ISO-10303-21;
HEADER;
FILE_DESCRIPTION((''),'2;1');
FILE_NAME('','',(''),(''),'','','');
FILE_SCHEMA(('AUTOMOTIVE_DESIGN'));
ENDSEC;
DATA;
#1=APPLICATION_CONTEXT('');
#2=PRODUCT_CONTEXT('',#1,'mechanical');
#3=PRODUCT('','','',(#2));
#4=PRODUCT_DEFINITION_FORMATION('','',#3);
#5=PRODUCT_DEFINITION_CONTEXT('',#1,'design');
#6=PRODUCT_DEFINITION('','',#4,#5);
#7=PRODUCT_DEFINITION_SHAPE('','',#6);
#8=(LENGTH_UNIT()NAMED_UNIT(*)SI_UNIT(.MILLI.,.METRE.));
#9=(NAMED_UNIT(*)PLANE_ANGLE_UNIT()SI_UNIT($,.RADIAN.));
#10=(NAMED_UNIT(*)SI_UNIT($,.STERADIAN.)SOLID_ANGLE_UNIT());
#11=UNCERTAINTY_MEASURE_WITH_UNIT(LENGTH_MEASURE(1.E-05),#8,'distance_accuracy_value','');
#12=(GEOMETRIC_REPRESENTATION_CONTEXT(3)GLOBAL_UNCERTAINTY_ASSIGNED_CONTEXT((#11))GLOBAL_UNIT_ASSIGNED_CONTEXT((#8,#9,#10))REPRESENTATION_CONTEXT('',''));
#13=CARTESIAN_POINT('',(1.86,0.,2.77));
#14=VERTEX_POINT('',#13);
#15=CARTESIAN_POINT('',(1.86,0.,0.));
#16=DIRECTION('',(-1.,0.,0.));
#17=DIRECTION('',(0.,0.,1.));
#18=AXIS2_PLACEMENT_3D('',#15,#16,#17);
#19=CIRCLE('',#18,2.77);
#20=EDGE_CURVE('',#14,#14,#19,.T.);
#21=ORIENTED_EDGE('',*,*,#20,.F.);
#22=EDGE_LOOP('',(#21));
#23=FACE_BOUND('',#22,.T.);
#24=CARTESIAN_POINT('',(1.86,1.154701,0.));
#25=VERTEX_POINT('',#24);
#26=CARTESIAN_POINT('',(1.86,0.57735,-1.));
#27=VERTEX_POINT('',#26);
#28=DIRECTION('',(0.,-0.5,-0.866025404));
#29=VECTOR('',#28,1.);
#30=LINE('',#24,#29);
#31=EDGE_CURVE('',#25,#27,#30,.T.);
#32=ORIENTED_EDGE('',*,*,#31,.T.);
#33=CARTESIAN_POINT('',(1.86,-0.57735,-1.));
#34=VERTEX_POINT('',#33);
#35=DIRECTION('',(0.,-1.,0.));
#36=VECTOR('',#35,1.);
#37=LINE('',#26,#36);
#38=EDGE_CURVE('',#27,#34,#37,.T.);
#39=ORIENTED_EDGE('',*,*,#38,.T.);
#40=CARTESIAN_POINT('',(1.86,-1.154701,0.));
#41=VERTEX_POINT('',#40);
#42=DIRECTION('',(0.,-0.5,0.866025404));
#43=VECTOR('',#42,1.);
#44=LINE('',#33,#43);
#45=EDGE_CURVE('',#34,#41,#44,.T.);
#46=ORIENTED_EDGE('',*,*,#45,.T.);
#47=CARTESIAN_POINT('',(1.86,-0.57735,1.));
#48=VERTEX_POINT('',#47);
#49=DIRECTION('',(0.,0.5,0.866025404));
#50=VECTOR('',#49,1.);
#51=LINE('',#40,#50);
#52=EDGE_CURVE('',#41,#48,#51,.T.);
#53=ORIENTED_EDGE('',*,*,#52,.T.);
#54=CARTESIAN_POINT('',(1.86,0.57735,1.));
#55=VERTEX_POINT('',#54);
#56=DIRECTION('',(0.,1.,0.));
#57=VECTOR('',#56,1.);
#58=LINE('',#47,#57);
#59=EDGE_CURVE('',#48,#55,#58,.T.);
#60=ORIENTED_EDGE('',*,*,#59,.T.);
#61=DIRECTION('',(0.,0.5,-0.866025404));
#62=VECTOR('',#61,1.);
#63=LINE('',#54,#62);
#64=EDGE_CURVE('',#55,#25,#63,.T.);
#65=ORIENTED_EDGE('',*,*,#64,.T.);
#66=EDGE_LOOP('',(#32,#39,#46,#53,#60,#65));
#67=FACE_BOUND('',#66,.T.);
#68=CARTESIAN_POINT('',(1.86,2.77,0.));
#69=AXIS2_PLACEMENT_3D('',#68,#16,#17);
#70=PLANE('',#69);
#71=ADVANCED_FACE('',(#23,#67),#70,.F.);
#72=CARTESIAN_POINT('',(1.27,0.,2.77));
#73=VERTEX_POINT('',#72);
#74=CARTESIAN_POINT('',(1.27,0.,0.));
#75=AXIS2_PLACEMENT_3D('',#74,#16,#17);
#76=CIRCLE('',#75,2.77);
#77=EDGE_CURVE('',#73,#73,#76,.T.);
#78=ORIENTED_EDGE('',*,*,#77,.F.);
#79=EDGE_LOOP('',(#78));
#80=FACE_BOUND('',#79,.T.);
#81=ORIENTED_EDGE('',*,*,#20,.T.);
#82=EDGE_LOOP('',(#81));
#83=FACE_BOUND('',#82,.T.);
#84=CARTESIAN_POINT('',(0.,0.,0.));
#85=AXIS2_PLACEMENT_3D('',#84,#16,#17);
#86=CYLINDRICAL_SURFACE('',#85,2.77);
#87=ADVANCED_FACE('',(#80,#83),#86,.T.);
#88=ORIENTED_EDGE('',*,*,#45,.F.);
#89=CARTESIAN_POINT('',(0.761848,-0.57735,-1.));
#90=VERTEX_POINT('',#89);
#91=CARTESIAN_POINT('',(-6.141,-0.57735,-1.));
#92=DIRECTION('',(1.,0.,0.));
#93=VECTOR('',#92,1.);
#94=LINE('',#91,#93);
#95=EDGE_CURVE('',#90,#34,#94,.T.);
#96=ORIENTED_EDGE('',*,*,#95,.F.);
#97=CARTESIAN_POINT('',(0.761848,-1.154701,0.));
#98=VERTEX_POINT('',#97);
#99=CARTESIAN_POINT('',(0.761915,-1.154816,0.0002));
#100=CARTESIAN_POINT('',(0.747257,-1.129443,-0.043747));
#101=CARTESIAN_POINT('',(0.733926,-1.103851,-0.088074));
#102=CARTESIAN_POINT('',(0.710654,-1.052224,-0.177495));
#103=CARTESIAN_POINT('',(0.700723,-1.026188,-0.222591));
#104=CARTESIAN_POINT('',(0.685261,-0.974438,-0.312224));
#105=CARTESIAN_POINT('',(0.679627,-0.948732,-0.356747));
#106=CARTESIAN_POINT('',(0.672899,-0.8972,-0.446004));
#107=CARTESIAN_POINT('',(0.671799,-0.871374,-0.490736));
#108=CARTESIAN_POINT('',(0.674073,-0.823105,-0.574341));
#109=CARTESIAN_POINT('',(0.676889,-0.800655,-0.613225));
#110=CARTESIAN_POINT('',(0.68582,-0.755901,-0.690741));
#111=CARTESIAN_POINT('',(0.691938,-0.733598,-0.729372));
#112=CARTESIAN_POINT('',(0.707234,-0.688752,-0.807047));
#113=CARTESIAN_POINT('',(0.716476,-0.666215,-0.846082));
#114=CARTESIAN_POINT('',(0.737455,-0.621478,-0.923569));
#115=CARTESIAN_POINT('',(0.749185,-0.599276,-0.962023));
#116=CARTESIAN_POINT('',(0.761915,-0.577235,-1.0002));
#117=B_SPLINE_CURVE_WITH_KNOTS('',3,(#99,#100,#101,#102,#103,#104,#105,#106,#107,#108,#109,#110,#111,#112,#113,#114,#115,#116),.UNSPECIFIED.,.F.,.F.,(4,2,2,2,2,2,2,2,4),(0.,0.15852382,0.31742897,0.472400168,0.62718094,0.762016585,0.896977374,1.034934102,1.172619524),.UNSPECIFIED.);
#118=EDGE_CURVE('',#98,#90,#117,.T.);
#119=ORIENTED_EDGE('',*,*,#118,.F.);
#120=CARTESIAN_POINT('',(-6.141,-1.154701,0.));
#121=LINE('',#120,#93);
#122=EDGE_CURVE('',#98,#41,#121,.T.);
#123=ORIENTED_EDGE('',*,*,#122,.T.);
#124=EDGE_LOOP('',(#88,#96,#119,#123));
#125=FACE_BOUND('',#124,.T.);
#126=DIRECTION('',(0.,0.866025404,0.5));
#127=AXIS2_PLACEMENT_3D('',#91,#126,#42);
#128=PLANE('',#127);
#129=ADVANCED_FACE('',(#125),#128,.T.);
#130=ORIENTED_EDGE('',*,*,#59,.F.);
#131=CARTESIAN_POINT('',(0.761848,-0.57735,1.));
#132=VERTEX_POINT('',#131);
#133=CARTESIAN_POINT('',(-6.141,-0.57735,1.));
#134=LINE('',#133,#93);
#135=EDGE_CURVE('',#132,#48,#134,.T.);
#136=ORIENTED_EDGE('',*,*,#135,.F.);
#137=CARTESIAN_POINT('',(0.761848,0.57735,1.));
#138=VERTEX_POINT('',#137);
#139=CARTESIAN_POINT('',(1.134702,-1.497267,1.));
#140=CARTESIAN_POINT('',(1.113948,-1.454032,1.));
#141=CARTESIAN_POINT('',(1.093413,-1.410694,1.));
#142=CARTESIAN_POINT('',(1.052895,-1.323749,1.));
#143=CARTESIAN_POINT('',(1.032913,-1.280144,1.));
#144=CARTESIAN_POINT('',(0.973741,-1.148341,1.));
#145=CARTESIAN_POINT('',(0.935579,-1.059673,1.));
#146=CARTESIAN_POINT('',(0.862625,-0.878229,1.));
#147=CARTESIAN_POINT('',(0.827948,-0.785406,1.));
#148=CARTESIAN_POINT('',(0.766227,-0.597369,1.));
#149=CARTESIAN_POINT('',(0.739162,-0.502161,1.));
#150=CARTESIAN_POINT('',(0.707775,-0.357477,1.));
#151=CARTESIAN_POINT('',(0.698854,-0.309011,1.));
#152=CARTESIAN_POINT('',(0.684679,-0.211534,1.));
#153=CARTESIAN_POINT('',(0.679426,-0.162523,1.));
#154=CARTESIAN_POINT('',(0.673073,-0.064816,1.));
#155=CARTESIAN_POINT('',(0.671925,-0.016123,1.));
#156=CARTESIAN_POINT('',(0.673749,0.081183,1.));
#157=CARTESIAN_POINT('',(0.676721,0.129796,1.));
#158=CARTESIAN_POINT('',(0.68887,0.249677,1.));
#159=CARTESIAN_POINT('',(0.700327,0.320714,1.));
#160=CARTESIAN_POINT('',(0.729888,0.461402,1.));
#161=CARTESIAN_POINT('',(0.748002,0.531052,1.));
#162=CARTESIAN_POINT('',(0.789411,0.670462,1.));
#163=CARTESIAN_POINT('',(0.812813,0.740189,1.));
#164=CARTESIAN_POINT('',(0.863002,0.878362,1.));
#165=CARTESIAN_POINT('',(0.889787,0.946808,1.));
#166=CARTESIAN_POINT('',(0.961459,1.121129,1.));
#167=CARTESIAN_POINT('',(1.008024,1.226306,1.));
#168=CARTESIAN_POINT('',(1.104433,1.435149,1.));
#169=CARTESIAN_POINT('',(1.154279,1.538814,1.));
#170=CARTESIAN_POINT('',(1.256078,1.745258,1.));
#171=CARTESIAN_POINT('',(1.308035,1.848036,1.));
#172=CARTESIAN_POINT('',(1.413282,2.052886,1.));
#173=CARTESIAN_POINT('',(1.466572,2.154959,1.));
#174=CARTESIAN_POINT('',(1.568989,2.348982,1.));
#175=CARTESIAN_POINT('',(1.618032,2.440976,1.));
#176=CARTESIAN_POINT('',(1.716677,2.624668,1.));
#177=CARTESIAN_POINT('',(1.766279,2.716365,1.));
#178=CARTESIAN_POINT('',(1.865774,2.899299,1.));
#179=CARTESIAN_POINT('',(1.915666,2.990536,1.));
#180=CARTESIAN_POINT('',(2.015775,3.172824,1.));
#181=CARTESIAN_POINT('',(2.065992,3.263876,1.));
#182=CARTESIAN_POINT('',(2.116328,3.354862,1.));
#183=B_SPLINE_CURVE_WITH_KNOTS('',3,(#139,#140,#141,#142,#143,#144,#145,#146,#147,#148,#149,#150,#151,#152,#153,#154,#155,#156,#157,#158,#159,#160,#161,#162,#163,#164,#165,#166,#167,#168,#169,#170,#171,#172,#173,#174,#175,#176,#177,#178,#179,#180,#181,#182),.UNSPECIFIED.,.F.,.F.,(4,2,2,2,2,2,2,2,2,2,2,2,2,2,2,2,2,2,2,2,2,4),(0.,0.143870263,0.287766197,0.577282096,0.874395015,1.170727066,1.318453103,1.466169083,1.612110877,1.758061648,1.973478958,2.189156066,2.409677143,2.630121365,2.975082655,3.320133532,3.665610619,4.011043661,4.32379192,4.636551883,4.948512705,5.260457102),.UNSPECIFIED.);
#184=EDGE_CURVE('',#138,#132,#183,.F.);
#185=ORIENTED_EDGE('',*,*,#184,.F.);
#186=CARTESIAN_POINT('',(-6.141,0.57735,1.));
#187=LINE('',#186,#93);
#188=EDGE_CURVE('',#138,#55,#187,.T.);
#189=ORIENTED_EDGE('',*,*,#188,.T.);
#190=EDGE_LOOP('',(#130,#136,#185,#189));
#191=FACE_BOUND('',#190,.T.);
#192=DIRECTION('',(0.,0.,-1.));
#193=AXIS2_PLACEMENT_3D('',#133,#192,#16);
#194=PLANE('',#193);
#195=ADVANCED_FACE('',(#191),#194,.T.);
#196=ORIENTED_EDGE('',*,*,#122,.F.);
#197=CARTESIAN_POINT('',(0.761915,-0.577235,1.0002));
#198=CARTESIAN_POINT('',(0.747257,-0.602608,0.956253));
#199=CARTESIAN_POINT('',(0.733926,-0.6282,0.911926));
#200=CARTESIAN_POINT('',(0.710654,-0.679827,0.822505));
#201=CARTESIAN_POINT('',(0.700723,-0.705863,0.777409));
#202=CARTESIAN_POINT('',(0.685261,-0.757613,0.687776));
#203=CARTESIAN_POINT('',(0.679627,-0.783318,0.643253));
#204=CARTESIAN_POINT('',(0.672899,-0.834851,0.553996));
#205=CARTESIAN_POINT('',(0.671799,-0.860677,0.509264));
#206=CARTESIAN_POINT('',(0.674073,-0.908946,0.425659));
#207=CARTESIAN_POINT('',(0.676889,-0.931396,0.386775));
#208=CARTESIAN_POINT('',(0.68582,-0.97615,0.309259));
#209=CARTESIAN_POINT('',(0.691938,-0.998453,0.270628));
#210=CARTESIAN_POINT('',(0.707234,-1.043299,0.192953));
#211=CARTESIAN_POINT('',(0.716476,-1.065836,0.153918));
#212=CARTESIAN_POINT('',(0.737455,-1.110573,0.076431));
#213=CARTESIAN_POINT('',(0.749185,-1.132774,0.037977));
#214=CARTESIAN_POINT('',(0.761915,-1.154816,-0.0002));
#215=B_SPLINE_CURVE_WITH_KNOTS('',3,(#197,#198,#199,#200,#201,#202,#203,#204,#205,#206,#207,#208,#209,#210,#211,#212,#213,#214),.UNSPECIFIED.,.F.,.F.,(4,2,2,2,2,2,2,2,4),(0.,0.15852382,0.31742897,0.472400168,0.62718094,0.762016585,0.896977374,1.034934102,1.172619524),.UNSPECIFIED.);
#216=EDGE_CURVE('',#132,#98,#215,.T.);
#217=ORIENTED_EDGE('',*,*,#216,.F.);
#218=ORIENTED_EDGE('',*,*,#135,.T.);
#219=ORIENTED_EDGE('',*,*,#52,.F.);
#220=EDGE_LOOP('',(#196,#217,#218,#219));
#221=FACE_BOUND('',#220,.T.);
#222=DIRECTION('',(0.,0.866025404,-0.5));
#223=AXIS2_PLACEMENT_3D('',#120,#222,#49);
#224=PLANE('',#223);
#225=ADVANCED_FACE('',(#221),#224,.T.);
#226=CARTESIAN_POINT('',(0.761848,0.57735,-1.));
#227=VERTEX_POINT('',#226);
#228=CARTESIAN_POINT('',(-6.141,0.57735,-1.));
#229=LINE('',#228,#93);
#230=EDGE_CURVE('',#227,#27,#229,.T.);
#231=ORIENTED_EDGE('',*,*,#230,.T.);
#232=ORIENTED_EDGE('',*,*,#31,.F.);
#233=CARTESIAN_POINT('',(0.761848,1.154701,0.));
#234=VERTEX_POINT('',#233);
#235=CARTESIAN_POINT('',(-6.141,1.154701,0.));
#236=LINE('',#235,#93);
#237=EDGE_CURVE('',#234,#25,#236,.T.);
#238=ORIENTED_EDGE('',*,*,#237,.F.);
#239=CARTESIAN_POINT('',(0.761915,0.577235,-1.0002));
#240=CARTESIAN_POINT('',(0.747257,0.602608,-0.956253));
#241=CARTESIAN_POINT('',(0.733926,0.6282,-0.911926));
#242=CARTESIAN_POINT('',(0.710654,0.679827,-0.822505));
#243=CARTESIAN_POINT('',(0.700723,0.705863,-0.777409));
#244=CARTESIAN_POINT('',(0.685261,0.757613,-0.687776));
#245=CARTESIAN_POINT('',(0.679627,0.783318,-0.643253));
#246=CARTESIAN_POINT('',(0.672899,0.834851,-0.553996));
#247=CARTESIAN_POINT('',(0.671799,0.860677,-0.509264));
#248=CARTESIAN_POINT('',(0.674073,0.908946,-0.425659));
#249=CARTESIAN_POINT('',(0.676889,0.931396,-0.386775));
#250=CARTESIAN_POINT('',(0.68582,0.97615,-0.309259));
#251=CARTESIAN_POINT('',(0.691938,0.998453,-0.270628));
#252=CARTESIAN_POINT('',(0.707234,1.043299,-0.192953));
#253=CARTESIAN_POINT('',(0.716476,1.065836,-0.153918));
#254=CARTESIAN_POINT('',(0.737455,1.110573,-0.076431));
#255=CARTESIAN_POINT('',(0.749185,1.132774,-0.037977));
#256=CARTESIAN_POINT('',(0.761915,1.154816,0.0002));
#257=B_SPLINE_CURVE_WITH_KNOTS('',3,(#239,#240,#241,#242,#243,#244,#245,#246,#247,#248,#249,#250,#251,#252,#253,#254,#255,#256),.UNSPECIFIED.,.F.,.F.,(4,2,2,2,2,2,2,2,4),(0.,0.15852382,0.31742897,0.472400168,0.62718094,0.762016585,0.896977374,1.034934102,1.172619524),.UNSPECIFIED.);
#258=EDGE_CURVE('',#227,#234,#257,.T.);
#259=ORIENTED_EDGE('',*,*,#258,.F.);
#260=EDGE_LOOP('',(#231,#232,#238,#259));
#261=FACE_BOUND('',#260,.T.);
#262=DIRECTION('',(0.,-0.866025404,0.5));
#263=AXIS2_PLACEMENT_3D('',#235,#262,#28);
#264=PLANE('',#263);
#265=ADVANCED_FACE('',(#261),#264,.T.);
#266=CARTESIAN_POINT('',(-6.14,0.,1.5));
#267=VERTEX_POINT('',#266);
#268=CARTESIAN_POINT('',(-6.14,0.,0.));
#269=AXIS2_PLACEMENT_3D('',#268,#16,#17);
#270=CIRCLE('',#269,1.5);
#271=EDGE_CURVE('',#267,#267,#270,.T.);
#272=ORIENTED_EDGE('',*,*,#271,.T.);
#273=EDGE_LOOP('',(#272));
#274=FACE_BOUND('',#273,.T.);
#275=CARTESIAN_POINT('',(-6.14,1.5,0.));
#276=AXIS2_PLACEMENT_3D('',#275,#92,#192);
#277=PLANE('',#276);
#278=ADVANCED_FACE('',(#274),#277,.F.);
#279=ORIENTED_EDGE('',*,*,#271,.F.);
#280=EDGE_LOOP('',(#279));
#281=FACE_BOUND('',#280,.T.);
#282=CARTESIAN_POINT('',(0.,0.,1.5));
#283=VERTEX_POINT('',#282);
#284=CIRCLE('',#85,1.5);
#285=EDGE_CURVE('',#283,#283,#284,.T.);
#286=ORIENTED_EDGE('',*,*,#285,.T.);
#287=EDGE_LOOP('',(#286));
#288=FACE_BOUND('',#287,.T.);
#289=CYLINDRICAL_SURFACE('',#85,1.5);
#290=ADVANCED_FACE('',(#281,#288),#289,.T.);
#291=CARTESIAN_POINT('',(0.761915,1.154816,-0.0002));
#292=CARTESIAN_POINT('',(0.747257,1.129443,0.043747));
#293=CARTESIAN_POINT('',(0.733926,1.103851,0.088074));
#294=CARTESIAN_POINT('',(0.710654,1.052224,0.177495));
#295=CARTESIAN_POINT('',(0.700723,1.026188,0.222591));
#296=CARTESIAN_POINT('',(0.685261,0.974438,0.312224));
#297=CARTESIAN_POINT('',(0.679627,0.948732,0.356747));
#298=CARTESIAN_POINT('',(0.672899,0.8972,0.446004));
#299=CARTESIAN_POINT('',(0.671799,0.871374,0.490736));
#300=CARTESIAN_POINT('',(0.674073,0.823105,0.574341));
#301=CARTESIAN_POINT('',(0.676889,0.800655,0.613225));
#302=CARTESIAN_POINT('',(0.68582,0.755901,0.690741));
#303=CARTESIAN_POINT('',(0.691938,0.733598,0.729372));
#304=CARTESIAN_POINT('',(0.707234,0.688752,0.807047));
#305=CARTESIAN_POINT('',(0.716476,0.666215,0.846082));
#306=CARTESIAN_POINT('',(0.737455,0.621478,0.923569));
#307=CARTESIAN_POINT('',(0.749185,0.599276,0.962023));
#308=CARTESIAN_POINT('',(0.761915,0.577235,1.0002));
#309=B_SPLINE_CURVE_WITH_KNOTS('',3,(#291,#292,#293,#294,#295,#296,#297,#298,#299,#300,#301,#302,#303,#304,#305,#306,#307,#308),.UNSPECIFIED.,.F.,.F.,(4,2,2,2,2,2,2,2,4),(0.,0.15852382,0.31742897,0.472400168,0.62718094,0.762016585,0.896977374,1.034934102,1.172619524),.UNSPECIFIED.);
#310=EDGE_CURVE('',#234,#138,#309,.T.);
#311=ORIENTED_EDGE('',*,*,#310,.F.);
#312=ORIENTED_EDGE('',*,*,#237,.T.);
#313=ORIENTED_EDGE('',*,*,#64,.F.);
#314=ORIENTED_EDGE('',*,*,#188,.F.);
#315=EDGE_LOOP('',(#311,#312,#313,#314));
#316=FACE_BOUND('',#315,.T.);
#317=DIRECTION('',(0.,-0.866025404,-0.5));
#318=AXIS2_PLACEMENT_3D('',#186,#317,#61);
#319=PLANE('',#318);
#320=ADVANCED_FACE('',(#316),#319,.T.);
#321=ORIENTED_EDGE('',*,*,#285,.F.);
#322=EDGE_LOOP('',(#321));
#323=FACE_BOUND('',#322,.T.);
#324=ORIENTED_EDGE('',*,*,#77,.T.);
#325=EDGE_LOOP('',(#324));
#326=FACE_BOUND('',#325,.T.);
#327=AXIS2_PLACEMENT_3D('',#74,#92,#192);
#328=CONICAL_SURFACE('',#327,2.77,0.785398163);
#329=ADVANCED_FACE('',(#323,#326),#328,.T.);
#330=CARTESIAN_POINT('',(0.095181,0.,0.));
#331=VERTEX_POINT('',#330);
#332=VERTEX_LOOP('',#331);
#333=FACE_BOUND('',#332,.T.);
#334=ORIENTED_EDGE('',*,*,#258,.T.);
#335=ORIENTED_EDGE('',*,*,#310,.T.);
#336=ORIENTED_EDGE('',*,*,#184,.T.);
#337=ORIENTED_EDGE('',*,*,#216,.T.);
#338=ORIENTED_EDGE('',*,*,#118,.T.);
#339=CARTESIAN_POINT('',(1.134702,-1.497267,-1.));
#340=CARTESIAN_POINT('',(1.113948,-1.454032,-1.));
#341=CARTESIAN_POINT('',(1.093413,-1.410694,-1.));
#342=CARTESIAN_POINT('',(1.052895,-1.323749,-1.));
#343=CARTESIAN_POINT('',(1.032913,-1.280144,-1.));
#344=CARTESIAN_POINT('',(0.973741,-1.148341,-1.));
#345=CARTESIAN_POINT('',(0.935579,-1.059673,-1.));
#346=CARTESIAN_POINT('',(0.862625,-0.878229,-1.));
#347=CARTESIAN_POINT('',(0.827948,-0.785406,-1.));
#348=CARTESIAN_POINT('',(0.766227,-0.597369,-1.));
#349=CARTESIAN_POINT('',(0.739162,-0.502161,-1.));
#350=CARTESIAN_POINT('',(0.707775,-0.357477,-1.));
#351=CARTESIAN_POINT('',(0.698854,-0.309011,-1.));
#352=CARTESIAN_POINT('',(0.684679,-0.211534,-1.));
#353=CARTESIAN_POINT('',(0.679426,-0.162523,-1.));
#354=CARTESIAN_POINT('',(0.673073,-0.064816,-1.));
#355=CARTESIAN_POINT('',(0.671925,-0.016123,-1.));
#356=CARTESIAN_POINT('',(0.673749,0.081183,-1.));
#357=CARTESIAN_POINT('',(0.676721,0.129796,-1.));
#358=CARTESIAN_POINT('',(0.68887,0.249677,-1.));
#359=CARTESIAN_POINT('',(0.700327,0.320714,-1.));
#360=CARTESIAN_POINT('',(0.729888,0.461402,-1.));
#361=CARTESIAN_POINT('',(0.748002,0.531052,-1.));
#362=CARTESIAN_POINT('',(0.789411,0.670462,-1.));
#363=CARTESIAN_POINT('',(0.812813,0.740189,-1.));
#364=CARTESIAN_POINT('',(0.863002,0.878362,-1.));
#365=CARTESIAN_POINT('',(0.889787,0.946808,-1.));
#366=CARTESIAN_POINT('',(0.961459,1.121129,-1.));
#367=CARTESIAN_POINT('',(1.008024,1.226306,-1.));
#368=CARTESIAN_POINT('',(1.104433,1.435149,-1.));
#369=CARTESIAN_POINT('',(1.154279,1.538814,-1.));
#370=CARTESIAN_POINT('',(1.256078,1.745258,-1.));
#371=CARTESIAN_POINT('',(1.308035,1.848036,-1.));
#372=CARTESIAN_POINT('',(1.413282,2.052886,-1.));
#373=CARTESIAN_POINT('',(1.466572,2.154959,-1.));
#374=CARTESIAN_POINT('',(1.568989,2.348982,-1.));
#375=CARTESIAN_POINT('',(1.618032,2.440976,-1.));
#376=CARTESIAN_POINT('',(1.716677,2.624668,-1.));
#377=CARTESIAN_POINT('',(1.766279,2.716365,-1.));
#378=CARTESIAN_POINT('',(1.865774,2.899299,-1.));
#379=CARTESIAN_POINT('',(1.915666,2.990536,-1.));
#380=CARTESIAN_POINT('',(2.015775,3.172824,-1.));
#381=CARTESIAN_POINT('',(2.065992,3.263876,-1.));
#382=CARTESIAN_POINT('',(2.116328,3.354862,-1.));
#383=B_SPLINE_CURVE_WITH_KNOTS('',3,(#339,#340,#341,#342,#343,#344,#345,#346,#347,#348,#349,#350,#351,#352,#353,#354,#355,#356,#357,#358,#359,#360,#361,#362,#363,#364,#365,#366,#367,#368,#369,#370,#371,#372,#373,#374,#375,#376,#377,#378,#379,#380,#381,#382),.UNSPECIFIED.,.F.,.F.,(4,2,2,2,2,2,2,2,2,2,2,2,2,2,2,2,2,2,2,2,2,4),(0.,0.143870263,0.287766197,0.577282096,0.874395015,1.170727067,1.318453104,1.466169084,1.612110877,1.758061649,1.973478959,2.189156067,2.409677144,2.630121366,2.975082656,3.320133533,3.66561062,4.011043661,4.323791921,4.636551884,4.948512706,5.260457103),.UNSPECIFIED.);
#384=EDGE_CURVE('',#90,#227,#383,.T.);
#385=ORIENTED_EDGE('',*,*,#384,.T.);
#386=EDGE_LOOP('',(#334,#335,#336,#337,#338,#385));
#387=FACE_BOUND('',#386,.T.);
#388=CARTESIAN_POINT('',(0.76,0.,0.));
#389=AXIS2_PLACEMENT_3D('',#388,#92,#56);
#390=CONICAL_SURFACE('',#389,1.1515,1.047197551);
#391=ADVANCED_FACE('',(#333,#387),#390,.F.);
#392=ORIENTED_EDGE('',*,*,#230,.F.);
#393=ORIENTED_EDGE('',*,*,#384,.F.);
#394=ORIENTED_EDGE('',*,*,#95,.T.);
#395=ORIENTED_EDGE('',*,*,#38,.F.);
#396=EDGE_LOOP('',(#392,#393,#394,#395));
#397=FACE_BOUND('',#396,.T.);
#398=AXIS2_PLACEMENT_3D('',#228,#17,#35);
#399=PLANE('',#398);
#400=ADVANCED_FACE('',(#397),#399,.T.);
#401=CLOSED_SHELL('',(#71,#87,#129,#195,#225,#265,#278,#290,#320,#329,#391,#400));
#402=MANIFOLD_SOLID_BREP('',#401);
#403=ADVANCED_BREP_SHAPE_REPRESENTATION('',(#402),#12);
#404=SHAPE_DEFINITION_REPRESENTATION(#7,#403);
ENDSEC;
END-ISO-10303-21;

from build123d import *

# Parameters (mm, degrees)
SLOT_REACH = 11.649


with BuildPart() as part:
    # Sk1 → Body (revolve)
    with BuildSketch(Plane.XY, mode=Mode.PRIVATE) as body_sk:
        Polygon((-6.14, 0), (1.86, 0), (1.86, 2.77), (1.27, 2.77), (0, 1.5), (-6.14, 1.5), align=None)
    revolve(body_sk.sketch.rotate(Axis((0, 0, 0), (1, 0, 0)), 90), axis=Axis((0, 0, 0), (1, 0, 0)))

    # Slot: up to this cone (the profile starts inside it)
    slot_end = Plane(origin=(1.86, 0, 0), z_dir=(1, 0, 0)).offset(-1.764817835) * Cone(1.732e-06, 29.393897654, 16.970573723, align=(Align.CENTER, Align.CENTER, Align.MIN), mode=Mode.PRIVATE)
    # Sk2 → Slot (cut, up to the surface)
    with BuildSketch(Plane(origin=(1.86, 0, -1.86), x_dir=(0, 0, 1), z_dir=(-1, 0, 0)), mode=Mode.PRIVATE) as slot_sk1:
        Polygon((1.86, 1.154700538), (0.86, 0.577350269), (0.86, -0.577350269), (1.86, -1.154700538), (2.86, -0.577350269), (2.86, 0.577350269), align=None)
    slot_tool1 = extrude(slot_sk1.sketch, amount=SLOT_REACH, mode=Mode.PRIVATE) & slot_end
    add(slot_tool1.solids().sort_by_distance((1.86, 0, 0))[0], mode=Mode.SUBTRACT)


solid = part.part
